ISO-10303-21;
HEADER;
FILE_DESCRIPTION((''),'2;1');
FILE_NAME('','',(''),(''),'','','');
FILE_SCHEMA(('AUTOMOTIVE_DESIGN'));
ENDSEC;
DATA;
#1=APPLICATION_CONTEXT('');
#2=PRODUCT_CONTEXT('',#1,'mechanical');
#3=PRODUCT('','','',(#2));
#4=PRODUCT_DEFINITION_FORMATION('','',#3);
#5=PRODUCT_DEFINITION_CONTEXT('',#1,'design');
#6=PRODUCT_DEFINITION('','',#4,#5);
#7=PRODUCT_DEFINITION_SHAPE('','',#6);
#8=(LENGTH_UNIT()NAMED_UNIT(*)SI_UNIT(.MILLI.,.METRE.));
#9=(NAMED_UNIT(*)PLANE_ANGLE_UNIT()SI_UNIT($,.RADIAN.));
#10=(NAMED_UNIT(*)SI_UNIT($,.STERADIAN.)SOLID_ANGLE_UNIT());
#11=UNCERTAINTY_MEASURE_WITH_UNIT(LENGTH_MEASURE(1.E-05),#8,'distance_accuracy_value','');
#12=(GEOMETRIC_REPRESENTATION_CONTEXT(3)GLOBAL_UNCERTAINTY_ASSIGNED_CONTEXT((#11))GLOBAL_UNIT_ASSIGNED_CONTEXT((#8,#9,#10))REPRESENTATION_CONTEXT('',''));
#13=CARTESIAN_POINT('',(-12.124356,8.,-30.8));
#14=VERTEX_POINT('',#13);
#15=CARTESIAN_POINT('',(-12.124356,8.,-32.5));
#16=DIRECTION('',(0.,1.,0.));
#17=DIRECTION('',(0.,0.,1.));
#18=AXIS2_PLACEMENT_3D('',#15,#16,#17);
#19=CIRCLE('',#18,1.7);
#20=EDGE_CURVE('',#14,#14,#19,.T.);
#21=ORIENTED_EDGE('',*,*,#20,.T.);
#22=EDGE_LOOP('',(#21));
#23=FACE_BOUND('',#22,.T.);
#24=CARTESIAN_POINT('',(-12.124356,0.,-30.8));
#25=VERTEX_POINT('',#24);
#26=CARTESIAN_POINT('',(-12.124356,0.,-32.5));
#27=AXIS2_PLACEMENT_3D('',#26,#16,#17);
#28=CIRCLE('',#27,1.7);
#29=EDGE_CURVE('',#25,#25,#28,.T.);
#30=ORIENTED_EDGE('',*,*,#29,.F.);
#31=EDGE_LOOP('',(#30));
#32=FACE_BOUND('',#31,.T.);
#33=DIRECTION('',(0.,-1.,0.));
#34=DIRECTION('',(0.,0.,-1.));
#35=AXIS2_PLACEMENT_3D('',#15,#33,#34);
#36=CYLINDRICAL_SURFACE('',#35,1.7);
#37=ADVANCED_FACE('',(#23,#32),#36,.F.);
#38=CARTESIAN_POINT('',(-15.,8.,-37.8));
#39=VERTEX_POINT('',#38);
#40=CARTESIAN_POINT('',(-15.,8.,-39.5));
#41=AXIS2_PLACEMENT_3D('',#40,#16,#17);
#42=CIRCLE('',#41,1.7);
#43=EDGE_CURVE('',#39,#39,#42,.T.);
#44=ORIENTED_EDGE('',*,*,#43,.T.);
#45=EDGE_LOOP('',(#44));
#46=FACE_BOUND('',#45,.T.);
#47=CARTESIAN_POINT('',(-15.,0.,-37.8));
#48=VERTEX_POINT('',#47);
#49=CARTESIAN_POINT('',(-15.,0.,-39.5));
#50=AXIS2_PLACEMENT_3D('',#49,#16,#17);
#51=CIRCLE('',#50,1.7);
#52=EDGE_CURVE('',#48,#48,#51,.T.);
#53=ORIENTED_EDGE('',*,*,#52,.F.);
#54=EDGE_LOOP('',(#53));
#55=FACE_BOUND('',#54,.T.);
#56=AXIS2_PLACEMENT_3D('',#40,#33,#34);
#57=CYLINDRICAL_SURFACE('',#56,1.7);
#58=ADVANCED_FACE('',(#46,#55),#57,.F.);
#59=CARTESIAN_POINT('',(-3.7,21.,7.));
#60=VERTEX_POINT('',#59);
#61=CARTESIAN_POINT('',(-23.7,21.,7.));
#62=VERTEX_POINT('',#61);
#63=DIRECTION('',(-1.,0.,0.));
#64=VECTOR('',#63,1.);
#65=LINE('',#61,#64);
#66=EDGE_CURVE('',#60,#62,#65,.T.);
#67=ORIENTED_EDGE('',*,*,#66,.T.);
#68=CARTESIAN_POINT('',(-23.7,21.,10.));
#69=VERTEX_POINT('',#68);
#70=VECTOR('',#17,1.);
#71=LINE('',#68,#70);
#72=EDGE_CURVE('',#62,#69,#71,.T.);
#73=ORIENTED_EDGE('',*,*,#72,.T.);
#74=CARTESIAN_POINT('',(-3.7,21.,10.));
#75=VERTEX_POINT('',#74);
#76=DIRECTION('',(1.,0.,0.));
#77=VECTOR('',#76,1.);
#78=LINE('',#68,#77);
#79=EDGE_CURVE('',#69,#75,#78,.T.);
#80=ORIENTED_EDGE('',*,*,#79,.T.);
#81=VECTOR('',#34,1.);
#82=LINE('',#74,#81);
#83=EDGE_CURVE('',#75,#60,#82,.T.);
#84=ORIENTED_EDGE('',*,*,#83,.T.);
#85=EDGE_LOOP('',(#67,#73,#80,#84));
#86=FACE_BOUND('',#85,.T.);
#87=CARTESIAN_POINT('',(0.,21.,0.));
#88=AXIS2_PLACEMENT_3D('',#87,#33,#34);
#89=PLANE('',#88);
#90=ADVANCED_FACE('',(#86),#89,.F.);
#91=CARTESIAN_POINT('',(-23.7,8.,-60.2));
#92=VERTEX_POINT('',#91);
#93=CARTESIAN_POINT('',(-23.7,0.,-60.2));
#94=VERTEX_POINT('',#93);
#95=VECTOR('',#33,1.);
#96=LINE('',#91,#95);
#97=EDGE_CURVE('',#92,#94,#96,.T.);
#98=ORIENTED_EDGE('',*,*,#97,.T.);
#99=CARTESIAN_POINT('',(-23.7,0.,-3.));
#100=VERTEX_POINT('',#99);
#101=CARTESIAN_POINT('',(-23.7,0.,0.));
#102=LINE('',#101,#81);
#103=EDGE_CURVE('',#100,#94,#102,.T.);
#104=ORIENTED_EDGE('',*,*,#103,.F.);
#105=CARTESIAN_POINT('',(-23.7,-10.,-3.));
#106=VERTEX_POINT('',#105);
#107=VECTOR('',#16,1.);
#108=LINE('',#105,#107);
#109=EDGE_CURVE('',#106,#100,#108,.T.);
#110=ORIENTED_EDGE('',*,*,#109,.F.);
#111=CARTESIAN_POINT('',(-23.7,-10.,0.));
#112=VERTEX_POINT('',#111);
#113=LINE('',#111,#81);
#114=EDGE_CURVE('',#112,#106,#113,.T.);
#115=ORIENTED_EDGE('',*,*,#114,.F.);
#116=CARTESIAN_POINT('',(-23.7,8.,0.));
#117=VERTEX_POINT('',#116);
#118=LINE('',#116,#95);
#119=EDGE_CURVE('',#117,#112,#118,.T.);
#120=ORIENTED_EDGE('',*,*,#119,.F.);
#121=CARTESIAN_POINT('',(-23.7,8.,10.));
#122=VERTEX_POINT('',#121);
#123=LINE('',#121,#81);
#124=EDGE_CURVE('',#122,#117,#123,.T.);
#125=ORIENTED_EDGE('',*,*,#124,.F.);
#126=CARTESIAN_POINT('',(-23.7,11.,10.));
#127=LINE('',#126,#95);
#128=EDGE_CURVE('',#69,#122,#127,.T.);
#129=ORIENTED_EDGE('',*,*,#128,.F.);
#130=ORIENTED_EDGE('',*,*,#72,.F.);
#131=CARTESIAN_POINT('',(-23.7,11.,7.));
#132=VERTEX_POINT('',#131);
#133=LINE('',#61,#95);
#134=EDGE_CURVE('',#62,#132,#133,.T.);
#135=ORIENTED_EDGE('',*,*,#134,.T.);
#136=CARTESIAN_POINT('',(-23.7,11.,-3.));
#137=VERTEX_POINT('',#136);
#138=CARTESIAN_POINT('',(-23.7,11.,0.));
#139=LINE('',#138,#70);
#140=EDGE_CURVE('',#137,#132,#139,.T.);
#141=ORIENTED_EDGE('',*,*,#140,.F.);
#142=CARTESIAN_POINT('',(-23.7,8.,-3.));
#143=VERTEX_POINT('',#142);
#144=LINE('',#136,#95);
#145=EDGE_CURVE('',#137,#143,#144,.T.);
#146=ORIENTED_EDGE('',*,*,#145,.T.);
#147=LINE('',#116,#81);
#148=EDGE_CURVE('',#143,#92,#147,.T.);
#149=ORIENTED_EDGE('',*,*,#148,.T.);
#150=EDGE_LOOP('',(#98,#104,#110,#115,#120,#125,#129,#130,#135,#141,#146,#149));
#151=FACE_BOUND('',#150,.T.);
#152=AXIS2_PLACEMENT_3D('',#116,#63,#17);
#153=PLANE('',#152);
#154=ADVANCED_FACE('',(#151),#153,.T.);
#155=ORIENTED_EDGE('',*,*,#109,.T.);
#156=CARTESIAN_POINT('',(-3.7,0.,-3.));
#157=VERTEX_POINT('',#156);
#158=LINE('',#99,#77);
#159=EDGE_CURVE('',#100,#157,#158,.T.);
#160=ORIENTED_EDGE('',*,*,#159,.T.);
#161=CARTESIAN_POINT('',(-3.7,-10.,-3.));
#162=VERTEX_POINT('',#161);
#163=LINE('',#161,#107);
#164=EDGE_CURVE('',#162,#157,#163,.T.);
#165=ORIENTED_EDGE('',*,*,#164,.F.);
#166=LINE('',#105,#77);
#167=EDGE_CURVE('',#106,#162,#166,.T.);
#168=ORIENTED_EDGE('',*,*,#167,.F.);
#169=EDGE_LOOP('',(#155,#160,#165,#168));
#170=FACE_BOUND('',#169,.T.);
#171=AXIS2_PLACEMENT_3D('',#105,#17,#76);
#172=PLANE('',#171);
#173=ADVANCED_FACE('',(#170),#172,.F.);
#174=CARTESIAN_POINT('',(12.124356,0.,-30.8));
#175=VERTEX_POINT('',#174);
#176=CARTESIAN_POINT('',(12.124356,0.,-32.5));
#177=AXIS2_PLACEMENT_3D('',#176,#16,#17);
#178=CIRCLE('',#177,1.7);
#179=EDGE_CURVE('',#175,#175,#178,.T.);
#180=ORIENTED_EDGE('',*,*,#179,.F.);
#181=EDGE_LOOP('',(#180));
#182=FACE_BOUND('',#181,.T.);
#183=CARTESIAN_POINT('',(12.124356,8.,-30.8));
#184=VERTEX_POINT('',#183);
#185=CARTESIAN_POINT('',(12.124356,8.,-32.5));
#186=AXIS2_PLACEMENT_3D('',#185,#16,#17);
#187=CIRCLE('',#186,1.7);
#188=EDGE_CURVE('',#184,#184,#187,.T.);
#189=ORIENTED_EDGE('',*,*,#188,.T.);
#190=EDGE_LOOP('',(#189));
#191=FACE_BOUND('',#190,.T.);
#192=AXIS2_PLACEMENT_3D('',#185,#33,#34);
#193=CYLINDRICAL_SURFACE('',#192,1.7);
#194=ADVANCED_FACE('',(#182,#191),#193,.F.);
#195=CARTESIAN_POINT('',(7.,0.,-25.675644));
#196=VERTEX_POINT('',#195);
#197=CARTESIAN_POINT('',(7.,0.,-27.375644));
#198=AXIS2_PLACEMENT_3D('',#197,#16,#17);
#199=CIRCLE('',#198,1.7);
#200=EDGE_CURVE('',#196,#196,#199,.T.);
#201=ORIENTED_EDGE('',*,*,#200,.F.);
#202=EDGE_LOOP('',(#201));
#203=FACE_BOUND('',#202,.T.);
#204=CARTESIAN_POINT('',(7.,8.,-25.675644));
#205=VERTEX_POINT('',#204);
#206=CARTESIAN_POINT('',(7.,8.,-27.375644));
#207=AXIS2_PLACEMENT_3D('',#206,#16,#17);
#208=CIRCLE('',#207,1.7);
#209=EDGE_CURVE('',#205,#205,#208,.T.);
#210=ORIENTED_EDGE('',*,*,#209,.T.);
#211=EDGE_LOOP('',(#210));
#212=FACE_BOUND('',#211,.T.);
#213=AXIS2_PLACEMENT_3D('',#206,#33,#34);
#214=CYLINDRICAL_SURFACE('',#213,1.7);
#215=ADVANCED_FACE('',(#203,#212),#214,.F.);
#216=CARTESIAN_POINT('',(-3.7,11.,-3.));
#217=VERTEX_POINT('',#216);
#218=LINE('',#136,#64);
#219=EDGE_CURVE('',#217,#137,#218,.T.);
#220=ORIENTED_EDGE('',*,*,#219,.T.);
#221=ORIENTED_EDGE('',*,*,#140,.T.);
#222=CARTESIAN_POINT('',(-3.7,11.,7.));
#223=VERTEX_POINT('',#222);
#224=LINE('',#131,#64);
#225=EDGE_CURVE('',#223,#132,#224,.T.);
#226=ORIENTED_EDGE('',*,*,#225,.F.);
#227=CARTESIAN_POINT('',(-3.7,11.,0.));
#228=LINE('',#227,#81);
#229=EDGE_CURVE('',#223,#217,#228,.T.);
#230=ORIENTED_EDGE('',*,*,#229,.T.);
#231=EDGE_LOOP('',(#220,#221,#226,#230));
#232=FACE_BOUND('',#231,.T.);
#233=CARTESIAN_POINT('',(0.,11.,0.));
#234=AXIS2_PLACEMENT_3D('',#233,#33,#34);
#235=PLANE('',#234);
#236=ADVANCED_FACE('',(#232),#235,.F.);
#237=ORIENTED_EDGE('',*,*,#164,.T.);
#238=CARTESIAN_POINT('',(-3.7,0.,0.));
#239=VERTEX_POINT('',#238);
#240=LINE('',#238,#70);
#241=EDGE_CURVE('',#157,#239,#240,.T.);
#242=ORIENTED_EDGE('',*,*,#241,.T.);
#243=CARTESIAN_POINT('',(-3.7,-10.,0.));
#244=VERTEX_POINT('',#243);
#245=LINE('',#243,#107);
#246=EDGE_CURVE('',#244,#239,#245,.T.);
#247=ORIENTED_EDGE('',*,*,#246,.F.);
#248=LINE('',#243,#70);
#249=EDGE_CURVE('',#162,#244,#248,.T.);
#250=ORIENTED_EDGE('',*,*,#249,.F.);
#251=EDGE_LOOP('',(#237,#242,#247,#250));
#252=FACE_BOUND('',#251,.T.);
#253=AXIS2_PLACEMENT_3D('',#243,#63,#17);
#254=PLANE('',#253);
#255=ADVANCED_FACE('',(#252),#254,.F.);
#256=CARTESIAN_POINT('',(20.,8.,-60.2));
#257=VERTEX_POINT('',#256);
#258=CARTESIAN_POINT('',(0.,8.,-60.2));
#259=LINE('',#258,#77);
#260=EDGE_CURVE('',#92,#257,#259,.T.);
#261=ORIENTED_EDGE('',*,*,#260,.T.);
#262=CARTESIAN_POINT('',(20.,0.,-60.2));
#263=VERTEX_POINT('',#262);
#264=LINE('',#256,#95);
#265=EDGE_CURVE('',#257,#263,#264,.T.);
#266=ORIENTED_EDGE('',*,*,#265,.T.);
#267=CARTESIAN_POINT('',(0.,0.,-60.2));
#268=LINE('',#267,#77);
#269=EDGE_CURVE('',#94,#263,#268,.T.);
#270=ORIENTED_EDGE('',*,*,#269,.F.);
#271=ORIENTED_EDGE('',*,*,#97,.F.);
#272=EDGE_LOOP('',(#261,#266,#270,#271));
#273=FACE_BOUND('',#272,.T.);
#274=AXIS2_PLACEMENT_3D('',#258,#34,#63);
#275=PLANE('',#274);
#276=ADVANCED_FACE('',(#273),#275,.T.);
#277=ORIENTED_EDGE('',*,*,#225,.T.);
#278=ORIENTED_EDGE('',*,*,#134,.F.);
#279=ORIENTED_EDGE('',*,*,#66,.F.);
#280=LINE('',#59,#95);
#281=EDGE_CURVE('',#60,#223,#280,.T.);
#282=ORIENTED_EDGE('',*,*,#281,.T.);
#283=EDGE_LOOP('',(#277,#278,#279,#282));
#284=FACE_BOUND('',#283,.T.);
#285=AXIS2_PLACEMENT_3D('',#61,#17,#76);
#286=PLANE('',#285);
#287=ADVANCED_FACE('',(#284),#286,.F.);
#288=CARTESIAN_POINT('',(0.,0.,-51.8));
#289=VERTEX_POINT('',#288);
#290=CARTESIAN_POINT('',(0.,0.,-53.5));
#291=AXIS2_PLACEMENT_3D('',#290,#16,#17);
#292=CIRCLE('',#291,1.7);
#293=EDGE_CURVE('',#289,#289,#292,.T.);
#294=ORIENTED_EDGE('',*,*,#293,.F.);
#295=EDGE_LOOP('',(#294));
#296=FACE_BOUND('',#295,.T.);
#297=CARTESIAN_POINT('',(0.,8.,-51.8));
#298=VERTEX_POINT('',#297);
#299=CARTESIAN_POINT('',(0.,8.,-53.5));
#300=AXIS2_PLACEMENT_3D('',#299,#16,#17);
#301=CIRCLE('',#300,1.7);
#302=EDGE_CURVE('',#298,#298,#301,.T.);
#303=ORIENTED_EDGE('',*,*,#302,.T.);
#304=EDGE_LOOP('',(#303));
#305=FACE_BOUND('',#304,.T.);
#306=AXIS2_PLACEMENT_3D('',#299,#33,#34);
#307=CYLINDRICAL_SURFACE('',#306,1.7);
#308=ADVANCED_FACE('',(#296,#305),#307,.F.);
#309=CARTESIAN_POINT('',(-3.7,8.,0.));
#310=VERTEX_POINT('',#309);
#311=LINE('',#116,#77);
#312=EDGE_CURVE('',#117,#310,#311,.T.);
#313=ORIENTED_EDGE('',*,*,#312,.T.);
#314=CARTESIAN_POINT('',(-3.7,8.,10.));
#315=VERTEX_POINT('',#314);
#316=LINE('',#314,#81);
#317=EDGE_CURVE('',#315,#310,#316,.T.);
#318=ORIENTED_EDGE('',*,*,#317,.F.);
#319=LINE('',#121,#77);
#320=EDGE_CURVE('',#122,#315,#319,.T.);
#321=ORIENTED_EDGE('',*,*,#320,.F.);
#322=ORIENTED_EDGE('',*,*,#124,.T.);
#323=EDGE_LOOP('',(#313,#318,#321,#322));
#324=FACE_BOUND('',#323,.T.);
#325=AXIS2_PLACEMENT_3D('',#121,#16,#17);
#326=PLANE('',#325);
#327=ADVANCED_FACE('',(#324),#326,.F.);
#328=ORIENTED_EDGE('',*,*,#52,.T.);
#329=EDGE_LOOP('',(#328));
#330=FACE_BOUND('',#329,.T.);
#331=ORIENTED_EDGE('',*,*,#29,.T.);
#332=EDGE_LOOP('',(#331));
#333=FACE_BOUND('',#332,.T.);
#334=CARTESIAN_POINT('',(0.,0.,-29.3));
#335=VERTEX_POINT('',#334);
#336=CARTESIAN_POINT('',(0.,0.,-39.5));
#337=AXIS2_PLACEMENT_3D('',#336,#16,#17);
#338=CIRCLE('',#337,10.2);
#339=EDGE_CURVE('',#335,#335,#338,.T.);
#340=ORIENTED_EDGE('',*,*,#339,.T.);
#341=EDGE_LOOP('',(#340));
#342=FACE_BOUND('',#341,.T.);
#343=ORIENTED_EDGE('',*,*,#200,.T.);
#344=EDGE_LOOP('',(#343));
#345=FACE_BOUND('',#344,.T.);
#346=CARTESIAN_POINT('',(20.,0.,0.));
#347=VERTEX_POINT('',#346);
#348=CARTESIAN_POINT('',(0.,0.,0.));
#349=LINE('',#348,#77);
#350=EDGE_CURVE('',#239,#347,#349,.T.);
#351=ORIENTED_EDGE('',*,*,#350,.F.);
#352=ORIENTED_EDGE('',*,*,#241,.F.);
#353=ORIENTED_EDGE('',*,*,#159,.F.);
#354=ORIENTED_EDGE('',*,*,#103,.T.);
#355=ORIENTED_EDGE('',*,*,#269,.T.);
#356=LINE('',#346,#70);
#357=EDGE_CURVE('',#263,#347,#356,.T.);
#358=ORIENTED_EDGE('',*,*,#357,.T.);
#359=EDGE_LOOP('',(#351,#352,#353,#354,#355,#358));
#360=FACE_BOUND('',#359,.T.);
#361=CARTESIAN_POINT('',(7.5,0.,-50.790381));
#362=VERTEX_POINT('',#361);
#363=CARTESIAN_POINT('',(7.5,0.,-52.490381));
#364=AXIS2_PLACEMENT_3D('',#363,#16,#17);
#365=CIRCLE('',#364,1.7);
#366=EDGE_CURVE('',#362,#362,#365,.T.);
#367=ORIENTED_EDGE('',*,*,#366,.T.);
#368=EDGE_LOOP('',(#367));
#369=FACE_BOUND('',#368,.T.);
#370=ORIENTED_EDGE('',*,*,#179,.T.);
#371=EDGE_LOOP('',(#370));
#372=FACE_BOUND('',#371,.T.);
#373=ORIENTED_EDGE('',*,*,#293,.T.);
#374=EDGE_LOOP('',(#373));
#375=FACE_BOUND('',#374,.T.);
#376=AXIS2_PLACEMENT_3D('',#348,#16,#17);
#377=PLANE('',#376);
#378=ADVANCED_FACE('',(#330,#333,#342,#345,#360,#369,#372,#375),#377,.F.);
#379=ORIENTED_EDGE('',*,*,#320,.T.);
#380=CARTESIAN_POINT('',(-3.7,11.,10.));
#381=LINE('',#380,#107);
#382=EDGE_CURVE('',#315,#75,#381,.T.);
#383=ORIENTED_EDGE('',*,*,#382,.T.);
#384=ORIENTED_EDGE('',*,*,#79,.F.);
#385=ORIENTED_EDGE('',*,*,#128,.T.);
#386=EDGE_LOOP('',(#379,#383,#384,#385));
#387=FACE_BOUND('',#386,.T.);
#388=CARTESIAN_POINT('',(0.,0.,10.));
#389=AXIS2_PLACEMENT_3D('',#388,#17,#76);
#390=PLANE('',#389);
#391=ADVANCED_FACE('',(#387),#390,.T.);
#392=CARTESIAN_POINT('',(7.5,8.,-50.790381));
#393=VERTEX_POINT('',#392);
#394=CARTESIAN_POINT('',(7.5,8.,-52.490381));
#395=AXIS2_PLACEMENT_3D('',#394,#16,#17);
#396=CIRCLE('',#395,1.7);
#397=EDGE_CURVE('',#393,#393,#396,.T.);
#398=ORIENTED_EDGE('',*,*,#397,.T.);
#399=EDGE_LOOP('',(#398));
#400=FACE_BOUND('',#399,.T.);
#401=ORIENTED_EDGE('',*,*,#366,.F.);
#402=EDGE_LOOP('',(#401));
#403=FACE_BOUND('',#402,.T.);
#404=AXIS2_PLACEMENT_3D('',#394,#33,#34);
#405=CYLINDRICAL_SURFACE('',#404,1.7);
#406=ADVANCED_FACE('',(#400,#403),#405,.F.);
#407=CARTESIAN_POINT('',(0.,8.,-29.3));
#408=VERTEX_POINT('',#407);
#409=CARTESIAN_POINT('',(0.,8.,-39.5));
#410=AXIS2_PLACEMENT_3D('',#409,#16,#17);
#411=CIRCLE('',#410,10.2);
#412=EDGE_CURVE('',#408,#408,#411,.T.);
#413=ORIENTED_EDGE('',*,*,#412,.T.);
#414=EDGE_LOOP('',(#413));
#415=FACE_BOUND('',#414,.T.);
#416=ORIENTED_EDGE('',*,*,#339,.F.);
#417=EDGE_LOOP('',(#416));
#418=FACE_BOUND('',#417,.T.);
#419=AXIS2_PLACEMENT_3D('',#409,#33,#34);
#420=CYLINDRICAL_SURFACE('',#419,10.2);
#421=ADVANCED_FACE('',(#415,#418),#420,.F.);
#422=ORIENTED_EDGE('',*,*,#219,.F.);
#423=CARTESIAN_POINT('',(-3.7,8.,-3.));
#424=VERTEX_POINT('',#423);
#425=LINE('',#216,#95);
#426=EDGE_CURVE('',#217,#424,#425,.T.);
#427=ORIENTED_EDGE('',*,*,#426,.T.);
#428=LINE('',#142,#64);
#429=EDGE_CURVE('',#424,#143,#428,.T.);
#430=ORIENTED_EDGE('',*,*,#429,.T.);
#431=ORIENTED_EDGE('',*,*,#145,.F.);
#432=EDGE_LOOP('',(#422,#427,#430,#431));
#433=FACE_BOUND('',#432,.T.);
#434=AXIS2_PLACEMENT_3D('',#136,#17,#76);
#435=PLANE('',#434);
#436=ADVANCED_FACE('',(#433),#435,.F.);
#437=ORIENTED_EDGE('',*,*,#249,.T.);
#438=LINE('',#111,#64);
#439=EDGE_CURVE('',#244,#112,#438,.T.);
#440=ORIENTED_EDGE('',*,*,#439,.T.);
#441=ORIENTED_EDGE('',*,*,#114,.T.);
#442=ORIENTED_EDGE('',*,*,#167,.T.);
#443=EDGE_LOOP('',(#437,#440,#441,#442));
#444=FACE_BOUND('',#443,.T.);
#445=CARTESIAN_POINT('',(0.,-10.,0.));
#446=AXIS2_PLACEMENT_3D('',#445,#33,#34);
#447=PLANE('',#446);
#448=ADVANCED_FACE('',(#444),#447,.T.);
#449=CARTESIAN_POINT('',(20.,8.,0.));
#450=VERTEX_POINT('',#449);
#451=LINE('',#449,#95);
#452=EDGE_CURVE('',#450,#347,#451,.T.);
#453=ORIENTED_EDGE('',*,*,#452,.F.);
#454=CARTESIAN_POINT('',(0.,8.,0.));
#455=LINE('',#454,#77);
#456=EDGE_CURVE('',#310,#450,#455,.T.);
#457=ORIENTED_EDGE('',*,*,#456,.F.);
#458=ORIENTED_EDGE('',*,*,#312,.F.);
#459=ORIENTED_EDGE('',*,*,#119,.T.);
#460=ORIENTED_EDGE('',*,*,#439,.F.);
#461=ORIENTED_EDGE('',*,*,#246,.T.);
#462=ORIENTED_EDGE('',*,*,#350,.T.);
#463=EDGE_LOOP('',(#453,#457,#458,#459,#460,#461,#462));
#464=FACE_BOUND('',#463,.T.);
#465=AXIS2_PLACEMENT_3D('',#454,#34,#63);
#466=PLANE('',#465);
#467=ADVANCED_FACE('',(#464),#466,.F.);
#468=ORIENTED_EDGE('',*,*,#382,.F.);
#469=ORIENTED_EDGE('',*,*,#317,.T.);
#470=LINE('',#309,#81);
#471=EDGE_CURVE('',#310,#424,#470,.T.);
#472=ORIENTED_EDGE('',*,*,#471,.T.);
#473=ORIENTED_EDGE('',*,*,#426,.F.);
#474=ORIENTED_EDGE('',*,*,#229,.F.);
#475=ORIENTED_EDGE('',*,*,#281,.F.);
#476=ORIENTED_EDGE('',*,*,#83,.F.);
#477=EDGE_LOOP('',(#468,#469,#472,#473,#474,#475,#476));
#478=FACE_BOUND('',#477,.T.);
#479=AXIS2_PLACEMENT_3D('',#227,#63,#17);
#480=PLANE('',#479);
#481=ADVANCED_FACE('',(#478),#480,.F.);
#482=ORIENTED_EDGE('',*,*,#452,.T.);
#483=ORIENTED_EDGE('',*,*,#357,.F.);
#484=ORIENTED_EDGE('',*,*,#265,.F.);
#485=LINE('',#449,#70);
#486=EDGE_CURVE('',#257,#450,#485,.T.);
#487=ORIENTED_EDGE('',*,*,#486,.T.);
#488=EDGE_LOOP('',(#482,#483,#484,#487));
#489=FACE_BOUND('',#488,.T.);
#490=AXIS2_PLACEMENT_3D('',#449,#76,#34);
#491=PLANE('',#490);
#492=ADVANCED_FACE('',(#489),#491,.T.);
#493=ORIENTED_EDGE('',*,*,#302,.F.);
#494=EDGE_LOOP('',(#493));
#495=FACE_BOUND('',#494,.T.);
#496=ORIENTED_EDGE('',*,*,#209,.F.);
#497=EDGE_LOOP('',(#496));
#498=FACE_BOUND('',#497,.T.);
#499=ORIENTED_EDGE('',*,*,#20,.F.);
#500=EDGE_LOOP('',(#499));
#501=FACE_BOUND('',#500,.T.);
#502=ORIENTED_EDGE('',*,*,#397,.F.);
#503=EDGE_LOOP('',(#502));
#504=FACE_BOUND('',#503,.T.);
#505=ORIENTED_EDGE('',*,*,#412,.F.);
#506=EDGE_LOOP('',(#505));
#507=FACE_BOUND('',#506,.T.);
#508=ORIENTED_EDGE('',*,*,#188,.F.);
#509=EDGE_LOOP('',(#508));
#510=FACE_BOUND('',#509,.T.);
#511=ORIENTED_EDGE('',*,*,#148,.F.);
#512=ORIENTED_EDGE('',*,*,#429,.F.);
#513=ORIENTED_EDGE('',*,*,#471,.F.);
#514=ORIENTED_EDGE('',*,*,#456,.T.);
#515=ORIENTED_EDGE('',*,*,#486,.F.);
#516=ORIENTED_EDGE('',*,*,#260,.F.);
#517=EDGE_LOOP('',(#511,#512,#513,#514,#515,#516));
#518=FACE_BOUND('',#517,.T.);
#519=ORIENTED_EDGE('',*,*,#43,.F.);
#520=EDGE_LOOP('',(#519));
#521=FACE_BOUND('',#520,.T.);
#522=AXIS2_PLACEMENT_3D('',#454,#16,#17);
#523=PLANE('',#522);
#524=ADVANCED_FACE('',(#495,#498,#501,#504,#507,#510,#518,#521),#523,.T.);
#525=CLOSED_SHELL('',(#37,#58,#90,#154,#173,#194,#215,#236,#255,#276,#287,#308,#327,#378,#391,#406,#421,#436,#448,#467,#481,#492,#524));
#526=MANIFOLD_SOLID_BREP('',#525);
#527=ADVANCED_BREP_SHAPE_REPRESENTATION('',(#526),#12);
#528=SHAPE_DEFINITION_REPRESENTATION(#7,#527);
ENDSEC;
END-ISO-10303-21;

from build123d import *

# Parameters (mm, degrees)
SKETCH1_W           = 43.7
SKETCH1_H           = 60.2
SKETCH1_R           = 1.7
SKETCH1_R_2         = 10.2
BOSS_EXTRUDE2_DEPTH = 8
SKETCH2_W           = 20
SKETCH2_H           = 3
BOSS_EXTRUDE3_DEPTH = 10
SKETCH3_W           = 20
SKETCH3_H           = 3
BOSS_EXTRUDE4_DEPTH = 3
SKETCH5_W           = 20
SKETCH5_H           = 3
BOSS_EXTRUDE5_DEPTH = 10
SKETCH6_W           = 20
SKETCH6_H           = 3
BOSS_EXTRUDE6_DEPTH = 10


with BuildPart() as part:
    # Sketch1 → Boss-Extrude2 (new body)
    with BuildSketch(Plane(origin=(0, 0, 0), x_dir=(1, 0, 0), z_dir=(0, 1, 0))):
        with Locations((-1.85, 30.1)):
            Rectangle(SKETCH1_W, SKETCH1_H)
        with Locations(Location((7, 27.375644347, 0), (0, 0, 270))):
            Circle(SKETCH1_R, mode=Mode.SUBTRACT)
        with Locations(Location((7.5, 52.490381057, 0), (0, 0, 270))):
            Circle(SKETCH1_R, mode=Mode.SUBTRACT)
        with Locations(Location((0, 53.5, 0), (0, 0, 270))):
            Circle(SKETCH1_R, mode=Mode.SUBTRACT)
        with Locations(Location((-15, 39.5, 0), (0, 0, 270))):
            Circle(SKETCH1_R, mode=Mode.SUBTRACT)
        with Locations(Location((12.124355653, 32.5, 0), (0, 0, 270))):
            Circle(SKETCH1_R, mode=Mode.SUBTRACT)
        with Locations(Location((0, 39.5, 0), (0, 0, 270))):
            Circle(SKETCH1_R_2, mode=Mode.SUBTRACT)
        with Locations(Location((-12.124355653, 32.5, 0), (0, 0, 270))):
            Circle(SKETCH1_R, mode=Mode.SUBTRACT)
    extrude(amount=BOSS_EXTRUDE2_DEPTH)

    # Sketch2 → Boss-Extrude3 (add)
    with BuildSketch(Plane.XZ):
        with Locations((-13.7, -1.5)):
            Rectangle(SKETCH2_W, SKETCH2_H)
    extrude(amount=BOSS_EXTRUDE3_DEPTH)

    # Sketch3 → Boss-Extrude4 (add)
    with BuildSketch(Plane(origin=(0, 8, 0), x_dir=(1, 0, 0), z_dir=(0, 1, 0))):
        with Locations((-13.7, 1.5)):
            Rectangle(SKETCH3_W, SKETCH3_H)
    extrude(amount=BOSS_EXTRUDE4_DEPTH)

    # Sketch5 → Boss-Extrude5 (add)
    with BuildSketch(Plane.XY):
        with Locations((-13.7, 9.5)):
            Rectangle(SKETCH5_W, SKETCH5_H)
    extrude(amount=BOSS_EXTRUDE5_DEPTH)

    # Sketch6 → Boss-Extrude6 (add)
    with BuildSketch(Plane(origin=(0, 11, 0), x_dir=(1, 0, 0), z_dir=(0, 1, 0))):
        with Locations((-13.7, -8.5)):
            Rectangle(SKETCH6_W, SKETCH6_H)
    extrude(amount=BOSS_EXTRUDE6_DEPTH)


solid = part.part
